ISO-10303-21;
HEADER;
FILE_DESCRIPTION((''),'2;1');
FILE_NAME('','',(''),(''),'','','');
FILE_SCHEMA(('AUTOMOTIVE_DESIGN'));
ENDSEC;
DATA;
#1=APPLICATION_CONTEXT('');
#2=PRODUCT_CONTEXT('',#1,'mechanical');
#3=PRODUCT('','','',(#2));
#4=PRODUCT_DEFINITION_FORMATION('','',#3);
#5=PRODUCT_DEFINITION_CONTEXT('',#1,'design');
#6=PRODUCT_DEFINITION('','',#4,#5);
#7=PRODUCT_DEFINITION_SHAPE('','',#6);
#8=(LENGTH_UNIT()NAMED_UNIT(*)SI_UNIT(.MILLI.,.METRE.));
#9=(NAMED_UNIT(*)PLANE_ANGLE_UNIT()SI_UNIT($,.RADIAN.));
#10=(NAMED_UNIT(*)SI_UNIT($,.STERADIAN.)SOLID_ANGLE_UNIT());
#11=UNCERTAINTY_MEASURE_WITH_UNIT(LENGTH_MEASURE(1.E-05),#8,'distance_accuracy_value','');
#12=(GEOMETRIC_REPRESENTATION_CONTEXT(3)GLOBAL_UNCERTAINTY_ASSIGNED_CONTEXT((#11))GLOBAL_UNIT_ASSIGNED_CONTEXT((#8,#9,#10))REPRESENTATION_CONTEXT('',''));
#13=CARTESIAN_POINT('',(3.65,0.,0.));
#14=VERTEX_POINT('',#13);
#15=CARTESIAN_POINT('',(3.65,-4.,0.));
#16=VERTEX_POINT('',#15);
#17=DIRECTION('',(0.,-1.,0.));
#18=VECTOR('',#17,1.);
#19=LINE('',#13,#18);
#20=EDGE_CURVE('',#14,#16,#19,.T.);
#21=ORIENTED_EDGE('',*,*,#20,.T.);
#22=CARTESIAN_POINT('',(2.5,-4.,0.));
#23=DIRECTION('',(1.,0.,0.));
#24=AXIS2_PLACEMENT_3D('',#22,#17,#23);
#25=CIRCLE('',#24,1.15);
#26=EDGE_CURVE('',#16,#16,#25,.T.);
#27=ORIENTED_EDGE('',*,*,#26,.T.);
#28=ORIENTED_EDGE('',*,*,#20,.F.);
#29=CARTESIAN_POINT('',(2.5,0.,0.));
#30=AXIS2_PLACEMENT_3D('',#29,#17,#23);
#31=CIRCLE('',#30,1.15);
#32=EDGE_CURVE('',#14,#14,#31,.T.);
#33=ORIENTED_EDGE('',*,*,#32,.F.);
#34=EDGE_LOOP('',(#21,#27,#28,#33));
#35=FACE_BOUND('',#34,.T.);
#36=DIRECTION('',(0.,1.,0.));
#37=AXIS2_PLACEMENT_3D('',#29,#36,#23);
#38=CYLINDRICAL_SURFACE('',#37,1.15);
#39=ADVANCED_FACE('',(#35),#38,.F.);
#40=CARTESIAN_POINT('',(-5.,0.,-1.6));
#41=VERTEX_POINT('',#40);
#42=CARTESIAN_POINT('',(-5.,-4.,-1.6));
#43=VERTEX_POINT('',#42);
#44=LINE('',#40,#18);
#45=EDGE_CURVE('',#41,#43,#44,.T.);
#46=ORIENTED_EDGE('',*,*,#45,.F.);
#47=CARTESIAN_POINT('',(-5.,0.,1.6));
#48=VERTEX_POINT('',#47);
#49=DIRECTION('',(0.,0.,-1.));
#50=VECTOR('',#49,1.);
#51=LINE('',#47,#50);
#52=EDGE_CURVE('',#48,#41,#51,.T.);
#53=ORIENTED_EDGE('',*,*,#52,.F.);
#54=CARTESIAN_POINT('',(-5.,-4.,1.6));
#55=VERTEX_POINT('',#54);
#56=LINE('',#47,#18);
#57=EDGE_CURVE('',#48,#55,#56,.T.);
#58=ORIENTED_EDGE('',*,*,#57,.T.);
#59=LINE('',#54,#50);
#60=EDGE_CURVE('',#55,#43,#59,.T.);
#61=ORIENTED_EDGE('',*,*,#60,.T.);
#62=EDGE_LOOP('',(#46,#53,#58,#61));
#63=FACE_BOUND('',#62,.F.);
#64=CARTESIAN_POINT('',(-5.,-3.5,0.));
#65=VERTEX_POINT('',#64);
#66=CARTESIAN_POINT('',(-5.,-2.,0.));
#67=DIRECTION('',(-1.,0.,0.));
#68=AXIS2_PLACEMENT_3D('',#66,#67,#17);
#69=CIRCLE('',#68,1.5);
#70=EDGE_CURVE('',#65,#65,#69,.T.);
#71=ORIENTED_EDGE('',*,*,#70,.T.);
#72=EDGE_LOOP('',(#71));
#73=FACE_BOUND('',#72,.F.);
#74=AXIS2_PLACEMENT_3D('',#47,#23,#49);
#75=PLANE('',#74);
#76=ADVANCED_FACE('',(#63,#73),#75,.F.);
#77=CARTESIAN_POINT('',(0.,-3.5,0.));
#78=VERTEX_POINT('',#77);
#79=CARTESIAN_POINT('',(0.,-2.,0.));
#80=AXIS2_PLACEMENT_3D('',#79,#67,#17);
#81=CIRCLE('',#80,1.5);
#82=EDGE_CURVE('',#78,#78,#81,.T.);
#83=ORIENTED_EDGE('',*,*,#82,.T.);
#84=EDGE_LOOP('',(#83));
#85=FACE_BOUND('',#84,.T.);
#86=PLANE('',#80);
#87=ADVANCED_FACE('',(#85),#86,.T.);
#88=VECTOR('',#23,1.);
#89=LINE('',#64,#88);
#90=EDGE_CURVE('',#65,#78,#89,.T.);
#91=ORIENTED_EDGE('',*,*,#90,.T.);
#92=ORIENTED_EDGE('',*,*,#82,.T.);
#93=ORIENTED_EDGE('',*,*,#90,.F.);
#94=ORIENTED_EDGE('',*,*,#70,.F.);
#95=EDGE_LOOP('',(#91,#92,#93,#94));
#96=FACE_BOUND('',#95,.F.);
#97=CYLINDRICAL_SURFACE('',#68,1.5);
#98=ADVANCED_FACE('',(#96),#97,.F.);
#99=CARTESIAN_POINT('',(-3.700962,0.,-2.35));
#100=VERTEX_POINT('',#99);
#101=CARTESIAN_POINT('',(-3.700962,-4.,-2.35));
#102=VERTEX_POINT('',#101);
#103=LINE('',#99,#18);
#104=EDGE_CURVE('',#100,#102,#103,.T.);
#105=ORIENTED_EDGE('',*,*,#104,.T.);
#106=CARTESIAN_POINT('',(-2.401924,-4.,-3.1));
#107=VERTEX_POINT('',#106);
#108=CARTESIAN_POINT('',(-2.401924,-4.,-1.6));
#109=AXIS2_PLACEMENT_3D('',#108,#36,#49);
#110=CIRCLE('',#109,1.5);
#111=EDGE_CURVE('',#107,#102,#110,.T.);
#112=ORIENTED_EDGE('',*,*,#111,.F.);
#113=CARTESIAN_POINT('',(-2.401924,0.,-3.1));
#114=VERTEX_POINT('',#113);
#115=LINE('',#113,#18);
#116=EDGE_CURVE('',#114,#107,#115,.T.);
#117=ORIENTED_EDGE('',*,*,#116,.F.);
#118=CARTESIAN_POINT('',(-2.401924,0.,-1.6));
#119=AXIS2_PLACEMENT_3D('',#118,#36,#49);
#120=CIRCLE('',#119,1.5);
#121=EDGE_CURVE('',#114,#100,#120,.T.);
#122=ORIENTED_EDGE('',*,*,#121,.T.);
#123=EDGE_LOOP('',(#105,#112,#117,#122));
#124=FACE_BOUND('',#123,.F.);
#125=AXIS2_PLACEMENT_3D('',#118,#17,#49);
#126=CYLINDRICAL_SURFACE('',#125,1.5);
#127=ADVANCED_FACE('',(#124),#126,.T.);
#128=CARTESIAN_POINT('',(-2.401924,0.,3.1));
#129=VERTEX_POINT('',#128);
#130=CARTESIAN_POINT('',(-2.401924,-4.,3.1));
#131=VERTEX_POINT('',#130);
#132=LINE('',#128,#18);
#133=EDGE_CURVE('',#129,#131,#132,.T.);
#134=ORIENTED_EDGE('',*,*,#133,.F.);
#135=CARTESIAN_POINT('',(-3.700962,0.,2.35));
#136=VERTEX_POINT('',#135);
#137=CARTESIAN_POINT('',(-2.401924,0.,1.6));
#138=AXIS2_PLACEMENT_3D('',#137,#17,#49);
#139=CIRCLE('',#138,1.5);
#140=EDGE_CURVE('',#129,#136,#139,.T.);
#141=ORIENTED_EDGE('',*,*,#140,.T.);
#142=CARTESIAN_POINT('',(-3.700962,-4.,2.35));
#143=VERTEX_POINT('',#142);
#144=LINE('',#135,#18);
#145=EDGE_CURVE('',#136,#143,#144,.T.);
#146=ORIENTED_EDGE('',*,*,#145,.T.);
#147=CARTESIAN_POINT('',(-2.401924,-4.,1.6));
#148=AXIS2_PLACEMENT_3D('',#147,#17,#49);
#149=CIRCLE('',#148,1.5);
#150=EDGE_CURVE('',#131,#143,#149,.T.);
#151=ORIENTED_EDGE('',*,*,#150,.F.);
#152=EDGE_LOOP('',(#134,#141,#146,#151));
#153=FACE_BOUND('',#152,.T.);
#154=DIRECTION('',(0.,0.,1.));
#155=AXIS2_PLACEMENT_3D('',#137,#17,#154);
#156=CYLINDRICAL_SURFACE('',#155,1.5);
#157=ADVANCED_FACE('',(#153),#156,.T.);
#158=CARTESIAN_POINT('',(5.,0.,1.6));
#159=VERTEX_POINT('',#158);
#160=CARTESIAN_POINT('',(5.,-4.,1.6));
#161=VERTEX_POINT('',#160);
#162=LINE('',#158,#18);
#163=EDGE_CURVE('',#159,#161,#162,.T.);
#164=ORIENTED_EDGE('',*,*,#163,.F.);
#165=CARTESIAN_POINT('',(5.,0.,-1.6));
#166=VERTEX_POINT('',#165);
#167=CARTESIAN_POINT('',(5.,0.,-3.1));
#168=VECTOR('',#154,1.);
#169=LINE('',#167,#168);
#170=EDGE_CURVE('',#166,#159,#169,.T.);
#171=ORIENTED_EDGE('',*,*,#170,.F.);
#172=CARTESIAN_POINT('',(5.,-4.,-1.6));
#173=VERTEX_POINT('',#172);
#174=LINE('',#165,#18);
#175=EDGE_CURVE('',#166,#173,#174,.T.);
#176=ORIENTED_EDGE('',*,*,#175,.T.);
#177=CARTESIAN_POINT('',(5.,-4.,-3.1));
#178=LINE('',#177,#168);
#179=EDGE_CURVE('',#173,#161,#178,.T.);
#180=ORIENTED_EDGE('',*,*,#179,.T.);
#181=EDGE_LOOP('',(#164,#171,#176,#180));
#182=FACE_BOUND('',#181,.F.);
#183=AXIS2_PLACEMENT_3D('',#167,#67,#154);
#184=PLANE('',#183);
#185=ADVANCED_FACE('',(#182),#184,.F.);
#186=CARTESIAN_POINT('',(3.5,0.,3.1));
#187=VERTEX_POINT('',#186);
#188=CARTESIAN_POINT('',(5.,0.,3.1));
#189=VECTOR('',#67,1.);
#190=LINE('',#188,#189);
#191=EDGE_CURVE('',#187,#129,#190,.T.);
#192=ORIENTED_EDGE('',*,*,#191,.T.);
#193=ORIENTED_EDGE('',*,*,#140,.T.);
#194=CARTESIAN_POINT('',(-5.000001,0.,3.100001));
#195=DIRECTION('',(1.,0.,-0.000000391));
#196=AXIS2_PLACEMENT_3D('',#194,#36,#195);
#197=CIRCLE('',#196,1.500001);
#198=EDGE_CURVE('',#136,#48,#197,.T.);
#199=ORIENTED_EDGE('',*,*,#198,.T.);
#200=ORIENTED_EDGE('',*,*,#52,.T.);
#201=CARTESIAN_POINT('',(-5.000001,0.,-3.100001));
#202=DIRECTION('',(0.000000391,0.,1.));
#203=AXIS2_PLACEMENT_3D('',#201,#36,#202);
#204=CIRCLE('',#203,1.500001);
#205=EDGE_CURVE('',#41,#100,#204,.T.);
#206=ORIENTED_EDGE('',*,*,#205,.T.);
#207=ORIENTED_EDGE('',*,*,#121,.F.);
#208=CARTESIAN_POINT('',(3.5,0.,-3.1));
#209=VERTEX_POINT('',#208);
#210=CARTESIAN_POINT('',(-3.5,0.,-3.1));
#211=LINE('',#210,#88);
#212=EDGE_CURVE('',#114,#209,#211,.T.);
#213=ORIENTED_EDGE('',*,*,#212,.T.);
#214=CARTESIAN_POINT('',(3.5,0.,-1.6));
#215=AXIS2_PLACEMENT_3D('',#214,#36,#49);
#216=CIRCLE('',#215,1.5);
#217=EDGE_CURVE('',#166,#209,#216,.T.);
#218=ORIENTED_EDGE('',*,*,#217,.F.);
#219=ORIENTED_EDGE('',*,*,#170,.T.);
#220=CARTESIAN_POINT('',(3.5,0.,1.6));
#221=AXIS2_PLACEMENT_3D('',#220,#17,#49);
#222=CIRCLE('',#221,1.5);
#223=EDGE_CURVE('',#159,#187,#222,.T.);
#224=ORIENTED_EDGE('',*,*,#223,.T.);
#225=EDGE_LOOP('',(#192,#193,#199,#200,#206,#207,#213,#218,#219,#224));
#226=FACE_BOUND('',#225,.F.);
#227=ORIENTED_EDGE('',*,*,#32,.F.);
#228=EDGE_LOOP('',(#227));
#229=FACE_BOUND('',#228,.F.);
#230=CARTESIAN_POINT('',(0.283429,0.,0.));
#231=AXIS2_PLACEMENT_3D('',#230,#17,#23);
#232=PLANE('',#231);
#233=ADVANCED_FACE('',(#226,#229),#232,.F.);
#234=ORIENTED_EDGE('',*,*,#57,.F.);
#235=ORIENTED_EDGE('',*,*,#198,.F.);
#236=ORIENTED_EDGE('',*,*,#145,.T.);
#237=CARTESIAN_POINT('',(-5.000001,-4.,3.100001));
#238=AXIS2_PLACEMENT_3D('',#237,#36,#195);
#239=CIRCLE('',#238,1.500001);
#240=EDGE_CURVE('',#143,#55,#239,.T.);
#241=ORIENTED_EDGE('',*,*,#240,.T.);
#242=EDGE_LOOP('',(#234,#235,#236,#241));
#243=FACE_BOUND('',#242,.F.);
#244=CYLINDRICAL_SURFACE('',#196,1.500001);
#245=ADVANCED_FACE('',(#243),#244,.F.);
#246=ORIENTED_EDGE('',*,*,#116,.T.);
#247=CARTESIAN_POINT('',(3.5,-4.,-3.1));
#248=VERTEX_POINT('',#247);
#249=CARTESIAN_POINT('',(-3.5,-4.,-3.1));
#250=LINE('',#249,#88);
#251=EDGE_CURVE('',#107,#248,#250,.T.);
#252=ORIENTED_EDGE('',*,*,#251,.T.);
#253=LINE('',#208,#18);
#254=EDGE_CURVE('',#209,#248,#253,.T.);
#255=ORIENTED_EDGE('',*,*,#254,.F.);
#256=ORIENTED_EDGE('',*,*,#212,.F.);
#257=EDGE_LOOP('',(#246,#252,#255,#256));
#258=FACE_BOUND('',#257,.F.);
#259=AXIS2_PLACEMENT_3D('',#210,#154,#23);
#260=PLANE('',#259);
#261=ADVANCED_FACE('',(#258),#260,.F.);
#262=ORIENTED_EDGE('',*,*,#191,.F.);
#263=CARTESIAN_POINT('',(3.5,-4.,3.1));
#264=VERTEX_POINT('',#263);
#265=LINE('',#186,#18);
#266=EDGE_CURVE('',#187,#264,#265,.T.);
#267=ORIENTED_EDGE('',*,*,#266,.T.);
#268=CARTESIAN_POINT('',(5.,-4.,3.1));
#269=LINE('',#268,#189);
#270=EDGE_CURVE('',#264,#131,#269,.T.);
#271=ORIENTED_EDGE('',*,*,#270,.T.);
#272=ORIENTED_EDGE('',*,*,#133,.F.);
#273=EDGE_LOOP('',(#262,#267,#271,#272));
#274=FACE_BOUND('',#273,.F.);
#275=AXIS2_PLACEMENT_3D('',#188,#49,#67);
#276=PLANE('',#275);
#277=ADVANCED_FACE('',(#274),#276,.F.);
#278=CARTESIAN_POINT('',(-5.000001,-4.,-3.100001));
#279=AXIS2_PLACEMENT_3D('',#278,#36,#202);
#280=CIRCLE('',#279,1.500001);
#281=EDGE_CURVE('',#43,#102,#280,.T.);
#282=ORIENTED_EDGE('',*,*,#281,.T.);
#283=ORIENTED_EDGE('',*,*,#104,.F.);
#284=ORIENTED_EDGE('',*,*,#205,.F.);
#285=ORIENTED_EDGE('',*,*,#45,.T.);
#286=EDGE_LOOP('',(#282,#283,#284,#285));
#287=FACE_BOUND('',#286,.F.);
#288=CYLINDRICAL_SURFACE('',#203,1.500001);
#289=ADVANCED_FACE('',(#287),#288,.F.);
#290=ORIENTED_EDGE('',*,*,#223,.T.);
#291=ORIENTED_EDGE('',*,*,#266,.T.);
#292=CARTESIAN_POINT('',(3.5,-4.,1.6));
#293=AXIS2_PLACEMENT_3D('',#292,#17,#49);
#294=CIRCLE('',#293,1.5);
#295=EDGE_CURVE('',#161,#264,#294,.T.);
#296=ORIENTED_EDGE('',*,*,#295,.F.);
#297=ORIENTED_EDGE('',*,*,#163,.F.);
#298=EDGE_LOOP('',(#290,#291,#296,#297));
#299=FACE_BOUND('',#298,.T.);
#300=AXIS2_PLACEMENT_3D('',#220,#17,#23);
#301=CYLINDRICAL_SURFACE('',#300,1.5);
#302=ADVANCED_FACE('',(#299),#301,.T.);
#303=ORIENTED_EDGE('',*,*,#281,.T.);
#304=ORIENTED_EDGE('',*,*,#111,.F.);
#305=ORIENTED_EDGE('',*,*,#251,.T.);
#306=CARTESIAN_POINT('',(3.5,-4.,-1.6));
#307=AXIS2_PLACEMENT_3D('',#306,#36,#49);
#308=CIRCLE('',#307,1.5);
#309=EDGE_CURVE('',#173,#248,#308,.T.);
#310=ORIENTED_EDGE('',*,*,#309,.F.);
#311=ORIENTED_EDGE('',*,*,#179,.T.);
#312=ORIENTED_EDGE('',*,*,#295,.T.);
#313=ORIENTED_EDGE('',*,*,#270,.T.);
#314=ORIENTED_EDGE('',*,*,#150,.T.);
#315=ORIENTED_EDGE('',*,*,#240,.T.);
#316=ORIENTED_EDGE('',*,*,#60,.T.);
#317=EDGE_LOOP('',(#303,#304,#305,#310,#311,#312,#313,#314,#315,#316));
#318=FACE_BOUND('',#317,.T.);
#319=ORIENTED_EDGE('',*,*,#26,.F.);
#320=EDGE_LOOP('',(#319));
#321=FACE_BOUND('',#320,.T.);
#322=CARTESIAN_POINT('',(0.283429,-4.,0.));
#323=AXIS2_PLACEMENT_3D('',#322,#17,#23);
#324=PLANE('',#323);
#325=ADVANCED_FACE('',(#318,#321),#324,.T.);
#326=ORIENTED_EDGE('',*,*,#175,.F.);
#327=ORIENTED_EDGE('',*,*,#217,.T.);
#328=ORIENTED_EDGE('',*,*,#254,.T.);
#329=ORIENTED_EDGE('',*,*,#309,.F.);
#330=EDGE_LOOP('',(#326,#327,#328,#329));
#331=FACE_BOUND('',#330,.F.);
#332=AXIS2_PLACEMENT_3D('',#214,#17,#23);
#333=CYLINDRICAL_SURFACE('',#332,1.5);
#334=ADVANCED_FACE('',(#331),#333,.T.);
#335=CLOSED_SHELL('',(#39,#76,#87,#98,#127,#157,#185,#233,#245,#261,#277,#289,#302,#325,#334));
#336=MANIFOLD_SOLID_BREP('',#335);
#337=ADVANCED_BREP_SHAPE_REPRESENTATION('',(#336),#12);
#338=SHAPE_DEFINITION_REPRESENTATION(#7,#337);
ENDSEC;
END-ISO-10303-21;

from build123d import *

# Parameters (mm, degrees)
F0_R     = 1.15
F1_DEPTH = 4
F2_R     = 1.5
F3_DEPTH = 5
F4_R     = 1.5


with BuildPart() as f1:
    # F0 (on Front) → F1 (new body)
    with BuildSketch(Plane.XZ):
        with BuildLine():
            Line((5, -3.1), (5, 3.1))
            Line((5, 3.1), (-3.5, 3.1))
            ThreePointArc((-3.5, 3.1), (-3.93934, 2.03934), (-5, 1.6))
            Line((-5, 1.6), (-5, -1.6))
            ThreePointArc((-5, -1.6), (-3.93934, -2.03934), (-3.5, -3.1))
            Line((-3.5, -3.1), (5, -3.1))
        make_face()
        with Locations((2.5, 0)):
            Circle(F0_R, mode=Mode.SUBTRACT)
    extrude(amount=F1_DEPTH)

    # F2 (on face) → F3 (cut)
    with BuildSketch(Plane(origin=(-5, 0, 0), x_dir=(0, -1, 0), z_dir=(-1, 0, 0))):
        with Locations((2, 0)):
            Circle(F2_R)
    extrude(amount=-F3_DEPTH, mode=Mode.SUBTRACT)

    # F4
    f4_edges = [f1.edges().sort_by_distance(p)[0] for p in [
        (-3.5, -2, 3.1),
        (-3.5, -2, -3.1),
        (5, -2, 3.1),
        (5, -2, -3.1),
    ]]
    fillet(f4_edges, radius=F4_R)


solid = f1.part
